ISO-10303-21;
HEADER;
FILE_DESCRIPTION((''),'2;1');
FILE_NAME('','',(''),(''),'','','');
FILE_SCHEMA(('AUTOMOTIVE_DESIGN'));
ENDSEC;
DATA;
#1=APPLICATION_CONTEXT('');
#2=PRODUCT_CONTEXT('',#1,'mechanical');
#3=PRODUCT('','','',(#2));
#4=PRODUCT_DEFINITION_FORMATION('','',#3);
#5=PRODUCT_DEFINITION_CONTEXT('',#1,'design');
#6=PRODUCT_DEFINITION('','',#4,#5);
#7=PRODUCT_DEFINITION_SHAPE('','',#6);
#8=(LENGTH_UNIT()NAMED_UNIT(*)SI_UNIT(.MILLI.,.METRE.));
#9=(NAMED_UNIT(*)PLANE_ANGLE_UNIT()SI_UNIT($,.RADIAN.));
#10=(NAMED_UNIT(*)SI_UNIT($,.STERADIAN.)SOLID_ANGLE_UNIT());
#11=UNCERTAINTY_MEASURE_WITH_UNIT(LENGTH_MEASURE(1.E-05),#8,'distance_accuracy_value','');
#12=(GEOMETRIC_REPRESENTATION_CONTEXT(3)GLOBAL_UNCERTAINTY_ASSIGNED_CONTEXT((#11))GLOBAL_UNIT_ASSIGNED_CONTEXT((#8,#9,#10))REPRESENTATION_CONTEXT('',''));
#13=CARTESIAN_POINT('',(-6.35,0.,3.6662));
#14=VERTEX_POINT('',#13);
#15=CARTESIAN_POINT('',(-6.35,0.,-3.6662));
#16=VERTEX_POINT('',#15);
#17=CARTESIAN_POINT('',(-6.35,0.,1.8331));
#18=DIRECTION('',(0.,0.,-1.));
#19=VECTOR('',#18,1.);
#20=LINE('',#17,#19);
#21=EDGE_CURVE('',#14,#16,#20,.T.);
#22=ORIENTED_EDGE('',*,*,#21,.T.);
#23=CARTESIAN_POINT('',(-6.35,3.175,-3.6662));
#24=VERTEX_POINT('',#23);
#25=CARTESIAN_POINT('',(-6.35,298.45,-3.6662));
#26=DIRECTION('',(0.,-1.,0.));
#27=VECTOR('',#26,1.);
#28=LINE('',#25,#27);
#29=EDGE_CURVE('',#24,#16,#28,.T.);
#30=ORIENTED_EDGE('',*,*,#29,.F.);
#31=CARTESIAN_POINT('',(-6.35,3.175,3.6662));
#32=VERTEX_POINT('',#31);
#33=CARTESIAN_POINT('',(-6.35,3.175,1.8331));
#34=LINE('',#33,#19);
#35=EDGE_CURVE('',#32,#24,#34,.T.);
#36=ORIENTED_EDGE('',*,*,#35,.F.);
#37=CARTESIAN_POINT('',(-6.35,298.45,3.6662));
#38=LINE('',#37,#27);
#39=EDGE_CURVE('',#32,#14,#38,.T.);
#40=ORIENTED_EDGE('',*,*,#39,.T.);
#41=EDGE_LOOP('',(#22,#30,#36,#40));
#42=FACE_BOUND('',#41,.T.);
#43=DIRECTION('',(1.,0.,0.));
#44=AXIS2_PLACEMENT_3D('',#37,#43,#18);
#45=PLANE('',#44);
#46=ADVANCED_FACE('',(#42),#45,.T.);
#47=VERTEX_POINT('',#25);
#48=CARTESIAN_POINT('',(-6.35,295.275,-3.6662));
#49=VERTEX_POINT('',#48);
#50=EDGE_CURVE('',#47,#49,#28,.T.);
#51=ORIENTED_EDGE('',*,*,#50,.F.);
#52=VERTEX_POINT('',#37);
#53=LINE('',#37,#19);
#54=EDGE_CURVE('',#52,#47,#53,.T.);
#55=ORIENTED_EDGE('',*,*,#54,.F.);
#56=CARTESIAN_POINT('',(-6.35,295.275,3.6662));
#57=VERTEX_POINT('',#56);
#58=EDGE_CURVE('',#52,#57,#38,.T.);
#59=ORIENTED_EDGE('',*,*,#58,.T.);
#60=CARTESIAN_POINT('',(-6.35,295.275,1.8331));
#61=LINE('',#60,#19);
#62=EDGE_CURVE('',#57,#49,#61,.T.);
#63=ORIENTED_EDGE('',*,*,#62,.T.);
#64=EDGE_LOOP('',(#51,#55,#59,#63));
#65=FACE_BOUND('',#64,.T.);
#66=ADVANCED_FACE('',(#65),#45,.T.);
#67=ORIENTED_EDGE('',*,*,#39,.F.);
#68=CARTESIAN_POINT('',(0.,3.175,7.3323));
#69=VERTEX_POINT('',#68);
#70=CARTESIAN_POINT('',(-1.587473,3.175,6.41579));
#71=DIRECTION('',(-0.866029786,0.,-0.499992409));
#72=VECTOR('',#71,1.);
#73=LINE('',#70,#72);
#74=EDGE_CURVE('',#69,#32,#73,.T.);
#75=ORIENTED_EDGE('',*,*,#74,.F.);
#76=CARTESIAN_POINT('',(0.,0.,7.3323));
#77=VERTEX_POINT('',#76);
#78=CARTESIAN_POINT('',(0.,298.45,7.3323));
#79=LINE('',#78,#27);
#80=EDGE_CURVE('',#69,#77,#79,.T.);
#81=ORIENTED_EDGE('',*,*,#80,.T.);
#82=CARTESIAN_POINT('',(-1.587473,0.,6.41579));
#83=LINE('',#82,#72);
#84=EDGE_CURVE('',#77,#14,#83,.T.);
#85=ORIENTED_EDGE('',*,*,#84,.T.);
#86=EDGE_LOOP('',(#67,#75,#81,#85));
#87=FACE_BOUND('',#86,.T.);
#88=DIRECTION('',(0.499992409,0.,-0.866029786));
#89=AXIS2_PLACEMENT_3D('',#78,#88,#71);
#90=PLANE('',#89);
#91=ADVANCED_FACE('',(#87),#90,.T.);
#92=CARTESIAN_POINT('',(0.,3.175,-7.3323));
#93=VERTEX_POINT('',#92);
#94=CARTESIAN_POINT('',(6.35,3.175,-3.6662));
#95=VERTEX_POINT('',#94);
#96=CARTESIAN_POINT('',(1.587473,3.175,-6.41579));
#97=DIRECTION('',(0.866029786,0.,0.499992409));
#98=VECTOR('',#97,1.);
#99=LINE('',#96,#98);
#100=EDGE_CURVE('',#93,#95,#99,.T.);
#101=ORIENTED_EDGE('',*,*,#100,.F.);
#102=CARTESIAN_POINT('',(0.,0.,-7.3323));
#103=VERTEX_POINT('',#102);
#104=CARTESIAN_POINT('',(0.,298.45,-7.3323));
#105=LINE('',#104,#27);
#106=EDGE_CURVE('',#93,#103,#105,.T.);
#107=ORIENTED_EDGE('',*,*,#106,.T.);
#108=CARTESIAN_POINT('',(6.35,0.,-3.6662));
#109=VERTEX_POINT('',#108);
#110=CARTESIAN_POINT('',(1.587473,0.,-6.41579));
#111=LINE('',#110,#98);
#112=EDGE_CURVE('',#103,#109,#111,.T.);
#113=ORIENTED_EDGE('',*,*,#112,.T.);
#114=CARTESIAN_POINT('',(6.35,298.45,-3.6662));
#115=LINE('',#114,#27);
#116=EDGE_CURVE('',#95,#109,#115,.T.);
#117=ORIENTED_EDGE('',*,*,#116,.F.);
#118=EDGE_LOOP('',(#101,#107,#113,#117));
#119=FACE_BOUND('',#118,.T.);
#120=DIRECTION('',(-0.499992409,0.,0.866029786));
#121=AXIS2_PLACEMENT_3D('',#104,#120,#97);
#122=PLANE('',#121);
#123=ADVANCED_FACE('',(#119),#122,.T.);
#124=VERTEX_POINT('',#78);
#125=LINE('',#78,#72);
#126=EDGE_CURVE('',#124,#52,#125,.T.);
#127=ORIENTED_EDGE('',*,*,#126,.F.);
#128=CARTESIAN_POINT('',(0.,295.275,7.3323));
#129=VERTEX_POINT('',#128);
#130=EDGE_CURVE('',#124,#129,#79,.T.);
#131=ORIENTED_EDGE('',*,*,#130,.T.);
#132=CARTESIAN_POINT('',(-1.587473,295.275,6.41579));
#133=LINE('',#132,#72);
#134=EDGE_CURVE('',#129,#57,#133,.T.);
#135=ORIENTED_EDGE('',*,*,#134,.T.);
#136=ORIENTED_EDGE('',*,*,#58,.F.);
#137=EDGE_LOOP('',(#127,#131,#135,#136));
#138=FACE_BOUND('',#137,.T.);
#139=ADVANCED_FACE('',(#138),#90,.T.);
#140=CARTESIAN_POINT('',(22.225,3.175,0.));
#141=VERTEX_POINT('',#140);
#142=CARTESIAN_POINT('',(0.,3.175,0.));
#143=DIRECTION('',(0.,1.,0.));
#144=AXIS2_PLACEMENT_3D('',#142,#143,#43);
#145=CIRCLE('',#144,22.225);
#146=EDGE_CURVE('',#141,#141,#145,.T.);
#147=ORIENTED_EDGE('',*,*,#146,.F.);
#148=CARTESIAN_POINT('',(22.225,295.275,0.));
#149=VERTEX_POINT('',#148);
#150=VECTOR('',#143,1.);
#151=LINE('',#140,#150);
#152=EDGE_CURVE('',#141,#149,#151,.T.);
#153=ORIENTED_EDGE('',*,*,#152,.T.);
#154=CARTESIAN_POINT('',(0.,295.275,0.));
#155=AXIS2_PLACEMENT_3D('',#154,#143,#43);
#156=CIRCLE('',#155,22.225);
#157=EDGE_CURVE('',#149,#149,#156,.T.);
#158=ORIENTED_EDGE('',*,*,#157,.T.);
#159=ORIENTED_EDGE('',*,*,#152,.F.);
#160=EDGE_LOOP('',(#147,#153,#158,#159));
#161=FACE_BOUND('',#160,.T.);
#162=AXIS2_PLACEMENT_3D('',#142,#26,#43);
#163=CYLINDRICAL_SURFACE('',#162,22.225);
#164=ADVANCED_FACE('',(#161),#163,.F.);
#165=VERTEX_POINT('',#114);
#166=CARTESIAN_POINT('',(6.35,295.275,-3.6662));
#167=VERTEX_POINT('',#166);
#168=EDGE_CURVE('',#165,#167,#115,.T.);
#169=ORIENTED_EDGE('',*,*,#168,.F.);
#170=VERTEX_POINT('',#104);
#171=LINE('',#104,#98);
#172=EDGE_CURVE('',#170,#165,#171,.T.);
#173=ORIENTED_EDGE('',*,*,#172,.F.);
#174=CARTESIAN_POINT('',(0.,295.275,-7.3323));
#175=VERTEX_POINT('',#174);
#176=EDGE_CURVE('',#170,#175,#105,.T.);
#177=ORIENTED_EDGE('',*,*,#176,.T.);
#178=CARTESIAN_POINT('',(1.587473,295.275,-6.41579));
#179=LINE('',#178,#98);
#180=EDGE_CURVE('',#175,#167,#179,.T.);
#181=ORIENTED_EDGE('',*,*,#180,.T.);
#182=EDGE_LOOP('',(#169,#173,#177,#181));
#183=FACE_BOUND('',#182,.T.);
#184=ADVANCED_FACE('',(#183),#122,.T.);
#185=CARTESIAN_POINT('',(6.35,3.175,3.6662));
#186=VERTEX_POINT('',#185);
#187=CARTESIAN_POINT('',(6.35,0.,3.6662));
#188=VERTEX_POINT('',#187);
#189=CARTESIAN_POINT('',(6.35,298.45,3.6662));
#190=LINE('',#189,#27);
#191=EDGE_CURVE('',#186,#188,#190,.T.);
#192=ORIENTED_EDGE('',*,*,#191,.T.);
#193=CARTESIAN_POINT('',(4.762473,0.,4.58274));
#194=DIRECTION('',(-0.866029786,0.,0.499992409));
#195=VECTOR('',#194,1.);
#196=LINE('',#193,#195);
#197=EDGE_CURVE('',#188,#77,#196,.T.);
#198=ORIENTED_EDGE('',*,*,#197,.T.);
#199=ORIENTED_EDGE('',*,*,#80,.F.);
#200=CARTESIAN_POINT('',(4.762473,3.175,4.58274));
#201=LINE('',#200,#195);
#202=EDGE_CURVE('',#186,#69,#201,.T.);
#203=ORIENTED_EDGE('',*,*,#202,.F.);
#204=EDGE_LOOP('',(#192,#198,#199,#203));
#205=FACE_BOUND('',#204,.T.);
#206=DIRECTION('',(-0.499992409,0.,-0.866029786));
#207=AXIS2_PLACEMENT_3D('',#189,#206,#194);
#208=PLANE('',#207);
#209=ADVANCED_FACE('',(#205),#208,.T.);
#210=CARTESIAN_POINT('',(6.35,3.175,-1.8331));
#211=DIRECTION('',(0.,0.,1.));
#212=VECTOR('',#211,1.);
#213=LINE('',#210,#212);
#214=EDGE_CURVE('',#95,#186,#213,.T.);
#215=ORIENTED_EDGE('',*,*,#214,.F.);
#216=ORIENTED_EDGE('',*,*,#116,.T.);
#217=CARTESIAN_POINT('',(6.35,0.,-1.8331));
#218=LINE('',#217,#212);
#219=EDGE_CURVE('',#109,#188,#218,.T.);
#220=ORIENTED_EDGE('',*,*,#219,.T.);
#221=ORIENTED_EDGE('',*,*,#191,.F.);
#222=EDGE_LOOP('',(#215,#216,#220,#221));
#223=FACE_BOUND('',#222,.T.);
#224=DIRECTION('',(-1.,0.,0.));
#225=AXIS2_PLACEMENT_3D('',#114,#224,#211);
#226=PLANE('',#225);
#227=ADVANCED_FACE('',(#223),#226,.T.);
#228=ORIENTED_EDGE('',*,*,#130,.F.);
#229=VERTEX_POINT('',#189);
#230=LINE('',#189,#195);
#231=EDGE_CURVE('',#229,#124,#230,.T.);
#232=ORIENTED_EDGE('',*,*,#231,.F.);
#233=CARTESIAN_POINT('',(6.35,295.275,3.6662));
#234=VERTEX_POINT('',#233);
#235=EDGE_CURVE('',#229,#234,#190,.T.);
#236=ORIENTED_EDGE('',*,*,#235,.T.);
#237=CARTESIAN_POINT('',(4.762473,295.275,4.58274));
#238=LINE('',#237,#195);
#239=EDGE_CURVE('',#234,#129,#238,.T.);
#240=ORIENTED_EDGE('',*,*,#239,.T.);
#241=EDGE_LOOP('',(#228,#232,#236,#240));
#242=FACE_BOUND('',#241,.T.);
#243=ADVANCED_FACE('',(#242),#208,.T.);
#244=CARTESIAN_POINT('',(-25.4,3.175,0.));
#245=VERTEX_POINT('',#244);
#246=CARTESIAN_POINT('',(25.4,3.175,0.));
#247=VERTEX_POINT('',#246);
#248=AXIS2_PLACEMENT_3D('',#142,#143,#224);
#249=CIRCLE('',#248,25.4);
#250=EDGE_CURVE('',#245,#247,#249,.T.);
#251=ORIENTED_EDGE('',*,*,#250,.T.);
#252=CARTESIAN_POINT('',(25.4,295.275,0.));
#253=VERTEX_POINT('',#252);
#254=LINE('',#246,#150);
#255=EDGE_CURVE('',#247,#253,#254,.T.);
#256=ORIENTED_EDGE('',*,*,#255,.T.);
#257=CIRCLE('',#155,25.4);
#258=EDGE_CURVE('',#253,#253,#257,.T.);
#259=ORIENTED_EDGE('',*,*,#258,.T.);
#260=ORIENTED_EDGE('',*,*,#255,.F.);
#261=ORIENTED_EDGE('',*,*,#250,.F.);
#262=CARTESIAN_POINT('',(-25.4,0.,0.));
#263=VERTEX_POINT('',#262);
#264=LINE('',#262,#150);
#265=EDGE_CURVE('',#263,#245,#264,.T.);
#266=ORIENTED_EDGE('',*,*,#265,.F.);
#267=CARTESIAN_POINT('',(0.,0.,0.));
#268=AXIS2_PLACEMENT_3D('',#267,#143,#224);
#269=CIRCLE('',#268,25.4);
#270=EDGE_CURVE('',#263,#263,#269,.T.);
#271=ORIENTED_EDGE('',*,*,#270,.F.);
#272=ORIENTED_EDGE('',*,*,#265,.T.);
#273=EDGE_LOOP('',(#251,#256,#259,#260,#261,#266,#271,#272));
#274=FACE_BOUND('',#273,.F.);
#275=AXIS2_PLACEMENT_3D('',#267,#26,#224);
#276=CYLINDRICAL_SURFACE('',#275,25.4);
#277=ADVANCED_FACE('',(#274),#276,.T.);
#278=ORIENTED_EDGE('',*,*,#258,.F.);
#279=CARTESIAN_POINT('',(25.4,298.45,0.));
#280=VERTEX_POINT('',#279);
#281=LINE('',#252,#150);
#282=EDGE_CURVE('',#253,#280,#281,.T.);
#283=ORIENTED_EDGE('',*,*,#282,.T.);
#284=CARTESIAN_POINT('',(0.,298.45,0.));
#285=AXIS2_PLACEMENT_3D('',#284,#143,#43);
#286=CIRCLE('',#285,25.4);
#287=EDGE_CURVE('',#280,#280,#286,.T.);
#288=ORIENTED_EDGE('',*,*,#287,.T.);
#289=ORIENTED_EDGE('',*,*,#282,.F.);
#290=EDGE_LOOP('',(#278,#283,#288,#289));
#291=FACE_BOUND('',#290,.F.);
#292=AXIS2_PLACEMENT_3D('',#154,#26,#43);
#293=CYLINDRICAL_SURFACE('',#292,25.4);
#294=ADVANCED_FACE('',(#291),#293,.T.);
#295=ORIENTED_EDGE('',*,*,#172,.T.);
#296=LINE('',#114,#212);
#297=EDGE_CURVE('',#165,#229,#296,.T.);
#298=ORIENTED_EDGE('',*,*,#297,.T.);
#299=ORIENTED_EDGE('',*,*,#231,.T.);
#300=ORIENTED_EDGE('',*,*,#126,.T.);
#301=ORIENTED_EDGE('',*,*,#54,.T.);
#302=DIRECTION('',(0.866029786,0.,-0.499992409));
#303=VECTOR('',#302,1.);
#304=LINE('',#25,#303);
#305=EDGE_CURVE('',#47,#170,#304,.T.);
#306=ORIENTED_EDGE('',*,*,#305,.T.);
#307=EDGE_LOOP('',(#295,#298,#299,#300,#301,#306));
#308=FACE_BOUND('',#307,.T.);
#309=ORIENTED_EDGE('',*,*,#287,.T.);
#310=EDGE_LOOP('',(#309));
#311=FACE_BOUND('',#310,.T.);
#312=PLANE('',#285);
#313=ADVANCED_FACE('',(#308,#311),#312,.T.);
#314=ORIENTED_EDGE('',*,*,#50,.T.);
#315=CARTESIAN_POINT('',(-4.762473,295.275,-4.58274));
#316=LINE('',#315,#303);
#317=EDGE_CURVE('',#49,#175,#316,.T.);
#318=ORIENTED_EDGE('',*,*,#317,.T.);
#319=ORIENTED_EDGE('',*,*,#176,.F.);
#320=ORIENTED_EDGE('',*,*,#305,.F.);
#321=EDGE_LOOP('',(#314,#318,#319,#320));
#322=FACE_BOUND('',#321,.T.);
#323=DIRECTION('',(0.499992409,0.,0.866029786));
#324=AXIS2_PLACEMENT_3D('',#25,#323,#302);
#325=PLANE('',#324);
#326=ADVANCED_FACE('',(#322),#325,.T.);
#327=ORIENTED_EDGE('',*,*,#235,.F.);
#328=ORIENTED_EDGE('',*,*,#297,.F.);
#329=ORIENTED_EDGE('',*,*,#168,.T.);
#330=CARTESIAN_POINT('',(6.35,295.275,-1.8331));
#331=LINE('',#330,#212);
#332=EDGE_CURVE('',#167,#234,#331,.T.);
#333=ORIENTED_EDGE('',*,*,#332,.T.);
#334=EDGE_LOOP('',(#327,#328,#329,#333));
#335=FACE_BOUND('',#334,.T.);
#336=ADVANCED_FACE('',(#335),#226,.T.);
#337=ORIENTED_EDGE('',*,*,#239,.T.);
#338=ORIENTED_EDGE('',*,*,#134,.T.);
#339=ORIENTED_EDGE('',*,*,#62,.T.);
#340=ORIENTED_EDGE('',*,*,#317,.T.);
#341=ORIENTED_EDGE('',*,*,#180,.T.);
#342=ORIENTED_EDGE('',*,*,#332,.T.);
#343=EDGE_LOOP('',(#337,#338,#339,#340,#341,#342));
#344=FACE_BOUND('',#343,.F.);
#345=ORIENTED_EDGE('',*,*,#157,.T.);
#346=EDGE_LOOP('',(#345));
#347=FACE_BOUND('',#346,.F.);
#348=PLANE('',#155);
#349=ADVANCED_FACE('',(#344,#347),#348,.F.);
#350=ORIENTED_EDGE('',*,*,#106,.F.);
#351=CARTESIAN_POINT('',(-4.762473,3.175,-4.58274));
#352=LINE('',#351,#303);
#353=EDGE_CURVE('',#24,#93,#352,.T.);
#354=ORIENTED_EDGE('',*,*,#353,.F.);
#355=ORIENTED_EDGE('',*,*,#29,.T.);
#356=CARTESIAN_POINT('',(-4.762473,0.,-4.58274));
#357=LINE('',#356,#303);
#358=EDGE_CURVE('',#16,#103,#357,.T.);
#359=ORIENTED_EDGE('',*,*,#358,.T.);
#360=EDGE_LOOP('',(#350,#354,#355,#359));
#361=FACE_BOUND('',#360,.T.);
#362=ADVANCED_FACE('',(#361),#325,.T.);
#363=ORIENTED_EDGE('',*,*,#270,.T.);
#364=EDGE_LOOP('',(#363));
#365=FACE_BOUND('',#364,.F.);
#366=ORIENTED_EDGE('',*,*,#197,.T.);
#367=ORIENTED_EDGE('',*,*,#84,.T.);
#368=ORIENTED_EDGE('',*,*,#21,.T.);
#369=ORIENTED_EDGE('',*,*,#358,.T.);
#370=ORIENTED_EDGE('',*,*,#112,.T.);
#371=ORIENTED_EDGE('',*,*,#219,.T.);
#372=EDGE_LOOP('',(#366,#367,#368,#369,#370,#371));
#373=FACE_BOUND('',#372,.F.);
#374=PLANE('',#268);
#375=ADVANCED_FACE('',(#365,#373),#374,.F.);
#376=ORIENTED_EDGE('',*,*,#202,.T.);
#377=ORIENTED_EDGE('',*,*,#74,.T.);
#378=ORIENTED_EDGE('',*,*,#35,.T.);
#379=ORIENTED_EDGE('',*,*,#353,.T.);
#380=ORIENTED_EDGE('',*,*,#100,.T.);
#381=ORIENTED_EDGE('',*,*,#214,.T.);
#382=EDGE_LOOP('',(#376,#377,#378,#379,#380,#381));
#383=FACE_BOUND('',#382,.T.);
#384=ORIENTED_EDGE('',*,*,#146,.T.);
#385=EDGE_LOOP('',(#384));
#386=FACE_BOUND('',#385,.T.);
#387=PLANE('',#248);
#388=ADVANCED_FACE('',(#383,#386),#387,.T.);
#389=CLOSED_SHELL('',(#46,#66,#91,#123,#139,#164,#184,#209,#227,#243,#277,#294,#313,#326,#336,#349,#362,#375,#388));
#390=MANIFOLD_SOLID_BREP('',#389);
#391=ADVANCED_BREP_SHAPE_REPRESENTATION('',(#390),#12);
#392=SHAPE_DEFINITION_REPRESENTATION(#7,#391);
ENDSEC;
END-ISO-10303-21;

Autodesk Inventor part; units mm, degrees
ref_plane "YZ Plane" through (0, 0, 0) normal (1, 0, 0) x (0, 1, 0)
ref_plane "XZ Plane" through (0, 0, 0) normal (0, 1, 0) x (-1, 0, 0)
ref_plane "XY Plane" through (0, 0, 0) normal (0, 0, 1) x (1, 0, 0)
sketch "Sketch1" plane through (0, 0, 0) normal (0, 1, 0) x (-1, 0, 0)
  circle A0 centre (0, 0) radius 25.4
  dimension "d0" = 50.8
extrude "Extrusion1" add sketch "Sketch1" along normal blind 3.175
sketch "Sketch2" plane through (0, 3.175, 0) normal (0, 1, 0) x (1, 0, 0)
  circle A0 centre (0, 0) radius 25.4
  circle A1 centre (0, 0) radius 22.225
  dimension "d3" = 3.175
  dimension "d4" = 50.8
extrude "Extrusion2" add sketch "Sketch2" along normal blind 292.1
sketch "Sketch3" plane through (0, 295.275, 0) normal (0, 1, 0) x (1, 0, 0)
  circle A0 centre (0, 0) radius 25.4
extrude "Extrusion3" add sketch "Sketch3" along normal blind 3.175
sketch "Sketch4" plane through (0, 298.45, 0) normal (0, 1, 0) x (1, 0, 0)
  line L0 (0, 7.3323) -> (6.35, 3.6662)
  line L1 (6.35, 3.6662) -> (6.35, -3.6662)
  line L2 (6.35, -3.6662) -> (0, -7.3323)
  line L3 (0, -7.3323) -> (-6.35, -3.6662)
  line L4 (-6.35, -3.6662) -> (-6.35, 3.6662)
  line L5 (-6.35, 3.6662) -> (0, 7.3323)
  point P0 (0, 0)
  point P1 (0, 0)
  dimension "d9" = 12.7
extrude "Extrusion4" cut sketch "Sketch4" against normal through all
